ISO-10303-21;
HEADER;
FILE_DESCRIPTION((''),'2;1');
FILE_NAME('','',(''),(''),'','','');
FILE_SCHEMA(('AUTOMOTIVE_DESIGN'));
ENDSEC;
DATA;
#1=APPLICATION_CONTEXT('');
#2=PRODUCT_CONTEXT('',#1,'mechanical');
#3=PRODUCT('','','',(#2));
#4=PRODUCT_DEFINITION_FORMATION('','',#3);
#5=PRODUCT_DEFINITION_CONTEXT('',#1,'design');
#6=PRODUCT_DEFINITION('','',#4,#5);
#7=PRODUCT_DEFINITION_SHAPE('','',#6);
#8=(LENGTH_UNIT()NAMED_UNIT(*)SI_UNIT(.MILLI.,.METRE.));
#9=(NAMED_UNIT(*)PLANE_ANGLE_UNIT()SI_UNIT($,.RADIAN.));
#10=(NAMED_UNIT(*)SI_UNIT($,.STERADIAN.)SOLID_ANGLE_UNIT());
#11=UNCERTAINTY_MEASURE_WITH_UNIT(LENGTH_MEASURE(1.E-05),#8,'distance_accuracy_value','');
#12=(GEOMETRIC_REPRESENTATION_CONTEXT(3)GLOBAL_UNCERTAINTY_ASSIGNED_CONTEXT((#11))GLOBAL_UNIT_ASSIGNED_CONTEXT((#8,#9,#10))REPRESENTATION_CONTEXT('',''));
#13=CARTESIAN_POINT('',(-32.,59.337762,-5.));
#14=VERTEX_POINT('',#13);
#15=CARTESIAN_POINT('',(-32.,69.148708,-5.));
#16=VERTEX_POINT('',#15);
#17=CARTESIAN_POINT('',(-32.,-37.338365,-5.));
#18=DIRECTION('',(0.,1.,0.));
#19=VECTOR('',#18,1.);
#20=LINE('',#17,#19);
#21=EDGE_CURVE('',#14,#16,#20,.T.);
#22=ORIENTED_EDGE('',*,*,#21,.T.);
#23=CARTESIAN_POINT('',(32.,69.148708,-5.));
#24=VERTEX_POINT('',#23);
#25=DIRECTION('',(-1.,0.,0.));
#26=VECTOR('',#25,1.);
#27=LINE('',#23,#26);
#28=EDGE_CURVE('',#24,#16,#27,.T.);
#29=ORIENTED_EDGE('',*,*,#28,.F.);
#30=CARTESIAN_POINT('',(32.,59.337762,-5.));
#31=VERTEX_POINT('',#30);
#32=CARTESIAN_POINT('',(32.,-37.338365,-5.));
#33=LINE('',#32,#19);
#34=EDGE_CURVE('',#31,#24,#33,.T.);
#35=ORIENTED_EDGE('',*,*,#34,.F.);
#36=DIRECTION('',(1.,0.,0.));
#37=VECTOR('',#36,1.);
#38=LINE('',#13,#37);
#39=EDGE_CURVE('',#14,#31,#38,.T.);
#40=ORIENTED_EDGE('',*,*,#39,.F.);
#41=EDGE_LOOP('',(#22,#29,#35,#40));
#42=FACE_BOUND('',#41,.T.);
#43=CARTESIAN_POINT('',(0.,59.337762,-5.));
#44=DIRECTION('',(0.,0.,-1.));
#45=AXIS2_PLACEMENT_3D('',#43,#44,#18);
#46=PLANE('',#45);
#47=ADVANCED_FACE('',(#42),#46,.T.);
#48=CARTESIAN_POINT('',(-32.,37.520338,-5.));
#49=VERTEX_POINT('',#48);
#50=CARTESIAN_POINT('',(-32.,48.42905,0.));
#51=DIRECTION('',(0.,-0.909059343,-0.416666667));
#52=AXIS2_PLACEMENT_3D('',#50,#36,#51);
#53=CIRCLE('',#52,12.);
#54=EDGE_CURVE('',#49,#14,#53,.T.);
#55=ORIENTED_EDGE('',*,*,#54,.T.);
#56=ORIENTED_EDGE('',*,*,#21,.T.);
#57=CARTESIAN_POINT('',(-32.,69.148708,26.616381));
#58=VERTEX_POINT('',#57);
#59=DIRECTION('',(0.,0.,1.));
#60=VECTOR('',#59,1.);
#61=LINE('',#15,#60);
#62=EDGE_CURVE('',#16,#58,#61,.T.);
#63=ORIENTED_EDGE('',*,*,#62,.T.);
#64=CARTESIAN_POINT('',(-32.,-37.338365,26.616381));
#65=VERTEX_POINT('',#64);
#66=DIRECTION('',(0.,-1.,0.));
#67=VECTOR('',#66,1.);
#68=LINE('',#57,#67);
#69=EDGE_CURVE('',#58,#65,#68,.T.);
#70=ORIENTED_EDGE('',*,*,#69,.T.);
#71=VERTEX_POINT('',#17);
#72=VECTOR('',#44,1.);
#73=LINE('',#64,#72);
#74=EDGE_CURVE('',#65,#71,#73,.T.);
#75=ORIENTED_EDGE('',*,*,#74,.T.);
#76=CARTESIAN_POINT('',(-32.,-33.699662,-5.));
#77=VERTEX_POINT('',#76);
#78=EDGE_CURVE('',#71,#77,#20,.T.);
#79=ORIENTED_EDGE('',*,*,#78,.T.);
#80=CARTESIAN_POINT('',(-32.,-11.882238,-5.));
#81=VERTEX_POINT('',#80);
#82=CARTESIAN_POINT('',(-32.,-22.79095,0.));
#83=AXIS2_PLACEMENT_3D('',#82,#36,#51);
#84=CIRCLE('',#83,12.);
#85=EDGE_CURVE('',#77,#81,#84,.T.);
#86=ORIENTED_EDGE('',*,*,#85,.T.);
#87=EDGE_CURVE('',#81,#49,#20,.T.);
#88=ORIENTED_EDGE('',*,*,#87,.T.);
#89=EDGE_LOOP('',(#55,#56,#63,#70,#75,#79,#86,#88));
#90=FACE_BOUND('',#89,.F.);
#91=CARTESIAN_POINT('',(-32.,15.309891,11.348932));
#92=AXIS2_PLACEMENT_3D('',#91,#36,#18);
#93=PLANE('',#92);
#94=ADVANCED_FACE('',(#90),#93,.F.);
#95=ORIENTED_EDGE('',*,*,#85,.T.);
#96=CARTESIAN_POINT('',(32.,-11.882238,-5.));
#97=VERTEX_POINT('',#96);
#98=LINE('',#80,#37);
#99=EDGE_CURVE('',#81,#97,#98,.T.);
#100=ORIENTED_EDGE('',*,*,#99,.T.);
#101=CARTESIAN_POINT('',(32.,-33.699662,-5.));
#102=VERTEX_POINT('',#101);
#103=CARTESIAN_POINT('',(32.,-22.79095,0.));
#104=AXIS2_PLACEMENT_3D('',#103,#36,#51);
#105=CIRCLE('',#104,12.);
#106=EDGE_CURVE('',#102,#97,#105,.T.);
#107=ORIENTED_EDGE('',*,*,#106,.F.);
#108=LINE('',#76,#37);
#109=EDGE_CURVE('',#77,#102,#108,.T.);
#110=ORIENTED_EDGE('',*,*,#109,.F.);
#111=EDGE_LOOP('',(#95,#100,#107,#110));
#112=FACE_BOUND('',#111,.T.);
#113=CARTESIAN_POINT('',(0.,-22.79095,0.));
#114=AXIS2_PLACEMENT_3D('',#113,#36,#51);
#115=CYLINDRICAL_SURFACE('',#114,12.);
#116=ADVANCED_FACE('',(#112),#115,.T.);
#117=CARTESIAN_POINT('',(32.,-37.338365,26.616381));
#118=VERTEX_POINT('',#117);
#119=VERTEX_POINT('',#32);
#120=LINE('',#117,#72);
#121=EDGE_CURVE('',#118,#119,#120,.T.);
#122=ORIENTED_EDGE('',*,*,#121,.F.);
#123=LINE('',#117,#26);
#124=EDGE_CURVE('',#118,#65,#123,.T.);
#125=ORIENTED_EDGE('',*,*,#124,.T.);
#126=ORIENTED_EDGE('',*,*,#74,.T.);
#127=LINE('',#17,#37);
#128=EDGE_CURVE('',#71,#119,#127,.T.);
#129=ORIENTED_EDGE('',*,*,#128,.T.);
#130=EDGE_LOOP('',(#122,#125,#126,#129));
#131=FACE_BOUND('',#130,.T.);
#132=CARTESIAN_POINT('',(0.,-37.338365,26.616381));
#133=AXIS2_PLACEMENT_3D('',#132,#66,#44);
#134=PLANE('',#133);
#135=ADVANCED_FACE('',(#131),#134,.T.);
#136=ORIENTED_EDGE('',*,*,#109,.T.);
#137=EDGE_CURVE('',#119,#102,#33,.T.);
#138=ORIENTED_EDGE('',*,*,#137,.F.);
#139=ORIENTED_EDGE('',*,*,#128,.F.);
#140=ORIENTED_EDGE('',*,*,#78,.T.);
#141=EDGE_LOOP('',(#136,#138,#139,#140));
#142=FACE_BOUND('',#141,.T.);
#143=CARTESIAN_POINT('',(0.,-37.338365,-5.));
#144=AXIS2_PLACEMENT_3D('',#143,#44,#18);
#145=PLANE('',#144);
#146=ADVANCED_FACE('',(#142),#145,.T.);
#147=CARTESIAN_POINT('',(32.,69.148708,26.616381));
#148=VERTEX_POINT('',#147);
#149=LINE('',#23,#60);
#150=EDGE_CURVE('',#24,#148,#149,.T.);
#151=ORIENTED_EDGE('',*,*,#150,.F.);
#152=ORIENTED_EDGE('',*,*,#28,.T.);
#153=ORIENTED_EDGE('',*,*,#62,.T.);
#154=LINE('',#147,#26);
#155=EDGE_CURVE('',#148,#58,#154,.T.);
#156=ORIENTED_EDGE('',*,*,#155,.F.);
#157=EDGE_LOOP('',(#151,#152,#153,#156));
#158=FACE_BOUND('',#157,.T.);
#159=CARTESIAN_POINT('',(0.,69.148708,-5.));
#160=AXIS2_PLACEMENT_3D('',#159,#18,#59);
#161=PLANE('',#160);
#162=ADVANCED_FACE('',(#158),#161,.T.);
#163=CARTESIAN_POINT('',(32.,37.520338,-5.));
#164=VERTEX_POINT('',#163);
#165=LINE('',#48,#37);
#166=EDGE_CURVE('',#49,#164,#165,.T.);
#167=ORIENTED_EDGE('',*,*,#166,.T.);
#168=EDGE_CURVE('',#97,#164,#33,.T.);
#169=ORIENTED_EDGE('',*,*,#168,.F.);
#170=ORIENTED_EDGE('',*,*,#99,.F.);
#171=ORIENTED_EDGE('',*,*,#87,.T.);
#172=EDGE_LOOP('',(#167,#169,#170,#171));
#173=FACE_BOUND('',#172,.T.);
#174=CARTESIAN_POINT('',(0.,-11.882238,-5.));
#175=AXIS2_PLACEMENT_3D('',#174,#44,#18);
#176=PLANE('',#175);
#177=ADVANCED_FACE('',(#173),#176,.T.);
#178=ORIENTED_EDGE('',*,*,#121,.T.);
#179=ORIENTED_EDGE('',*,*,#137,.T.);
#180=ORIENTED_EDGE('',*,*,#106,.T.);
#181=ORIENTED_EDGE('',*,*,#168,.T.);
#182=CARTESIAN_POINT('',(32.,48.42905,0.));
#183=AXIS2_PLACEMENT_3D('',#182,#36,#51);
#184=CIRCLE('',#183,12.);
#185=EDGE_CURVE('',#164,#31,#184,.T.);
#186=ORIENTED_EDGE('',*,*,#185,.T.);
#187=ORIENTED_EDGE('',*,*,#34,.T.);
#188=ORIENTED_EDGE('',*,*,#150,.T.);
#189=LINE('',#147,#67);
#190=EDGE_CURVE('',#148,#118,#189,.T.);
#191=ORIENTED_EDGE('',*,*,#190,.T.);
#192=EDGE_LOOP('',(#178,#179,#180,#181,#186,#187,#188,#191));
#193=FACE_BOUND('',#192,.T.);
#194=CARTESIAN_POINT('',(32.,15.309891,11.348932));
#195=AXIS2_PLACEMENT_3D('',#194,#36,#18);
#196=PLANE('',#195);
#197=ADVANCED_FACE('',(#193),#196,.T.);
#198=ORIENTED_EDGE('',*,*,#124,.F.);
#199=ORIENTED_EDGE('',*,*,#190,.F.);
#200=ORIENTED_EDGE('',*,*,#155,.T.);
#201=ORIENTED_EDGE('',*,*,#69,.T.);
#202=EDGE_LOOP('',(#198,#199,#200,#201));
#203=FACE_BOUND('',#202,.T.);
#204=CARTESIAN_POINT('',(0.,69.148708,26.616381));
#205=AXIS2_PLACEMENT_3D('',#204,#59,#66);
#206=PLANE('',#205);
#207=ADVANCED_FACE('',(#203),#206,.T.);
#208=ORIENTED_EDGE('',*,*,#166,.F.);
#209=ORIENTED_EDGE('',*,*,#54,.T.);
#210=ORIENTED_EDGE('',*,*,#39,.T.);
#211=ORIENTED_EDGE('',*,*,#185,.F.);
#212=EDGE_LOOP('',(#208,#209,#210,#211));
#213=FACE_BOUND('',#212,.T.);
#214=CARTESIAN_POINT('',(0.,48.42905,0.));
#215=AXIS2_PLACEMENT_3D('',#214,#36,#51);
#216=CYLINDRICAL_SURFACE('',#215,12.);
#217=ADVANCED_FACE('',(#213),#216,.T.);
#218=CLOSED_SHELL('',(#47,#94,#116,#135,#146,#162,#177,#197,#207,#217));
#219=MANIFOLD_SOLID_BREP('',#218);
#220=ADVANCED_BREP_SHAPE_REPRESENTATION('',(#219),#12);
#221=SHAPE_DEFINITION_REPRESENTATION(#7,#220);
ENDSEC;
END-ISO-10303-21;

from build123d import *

# Parameters (mm, degrees)
F1_DEPTH = 32


with BuildPart() as f1:
    # F0 (on Right) → F1 (new body, symmetric)
    with BuildSketch(Plane.YZ):
        with BuildLine():
            Line((-37.3383648694, 26.6163813695), (-37.3383648694, -5))
            Line((-37.3383648694, -5), (-33.6996619063, -5))
            ThreePointArc((-33.6996619063, -5), (-25.3498025253, 11.7240041235), (-10.7909497917, 0))
            ThreePointArc((-10.7909497917, 0), (-11.0669456682, -2.5588527336), (-11.882237677, -5))
            Line((-11.882237677, -5), (36.4290502083, -5))
            Line((36.4290502083, -5), (36.4290502083, 0))
            ThreePointArc((36.4290502083, 0), (48.4290502083, 12), (60.4290502083, 0))
            Line((60.4290502083, 0), (60.4290502083, -5))
            Line((60.4290502083, -5), (69.1487081349, -5))
            Line((69.1487081349, -5), (69.1487081349, 26.6163813695))
            Line((69.1487081349, 26.6163813695), (-37.3383648694, 26.6163813695))
        make_face()
        with BuildLine():
            Line((36.4290502083, 0), (36.4290502083, -5))
            Line((36.4290502083, -5), (37.5203380937, -5))
            ThreePointArc((37.5203380937, -5), (36.7050460848, -2.5588527336), (36.4290502083, 0))
        make_face()
        with BuildLine():
            ThreePointArc((-10.7909497917, 0), (-25.3498025253, 11.7240041235), (-33.6996619063, -5))
            Line((-33.6996619063, -5), (-11.882237677, -5))
            ThreePointArc((-11.882237677, -5), (-11.0669456682, -2.5588527336), (-10.7909497917, 0))
        make_face()
        with BuildLine():
            ThreePointArc((36.4290502083, 0), (36.7050460848, -2.5588527336), (37.5203380937, -5))
            Line((37.5203380937, -5), (59.337762323, -5))
            ThreePointArc((59.337762323, -5), (60.1530543318, -2.5588527336), (60.4290502083, 0))
            ThreePointArc((60.4290502083, 0), (48.4290502083, 12), (36.4290502083, 0))
        make_face()
        with BuildLine():
            Line((59.337762323, -5), (60.4290502083, -5))
            Line((60.4290502083, -5), (60.4290502083, 0))
            ThreePointArc((60.4290502083, 0), (60.1530543318, -2.5588527336), (59.337762323, -5))
        make_face()
        with BuildLine():
            Line((-11.882237677, -5), (-33.6996619063, -5))
            ThreePointArc((-33.6996619063, -5), (-22.7909497917, -12), (-11.882237677, -5))
        make_face()
        with BuildLine():
            Line((59.337762323, -5), (37.5203380937, -5))
            ThreePointArc((37.5203380937, -5), (48.4290502083, -12), (59.337762323, -5))
        make_face()
    extrude(amount=F1_DEPTH, both=True)


solid = f1.part
